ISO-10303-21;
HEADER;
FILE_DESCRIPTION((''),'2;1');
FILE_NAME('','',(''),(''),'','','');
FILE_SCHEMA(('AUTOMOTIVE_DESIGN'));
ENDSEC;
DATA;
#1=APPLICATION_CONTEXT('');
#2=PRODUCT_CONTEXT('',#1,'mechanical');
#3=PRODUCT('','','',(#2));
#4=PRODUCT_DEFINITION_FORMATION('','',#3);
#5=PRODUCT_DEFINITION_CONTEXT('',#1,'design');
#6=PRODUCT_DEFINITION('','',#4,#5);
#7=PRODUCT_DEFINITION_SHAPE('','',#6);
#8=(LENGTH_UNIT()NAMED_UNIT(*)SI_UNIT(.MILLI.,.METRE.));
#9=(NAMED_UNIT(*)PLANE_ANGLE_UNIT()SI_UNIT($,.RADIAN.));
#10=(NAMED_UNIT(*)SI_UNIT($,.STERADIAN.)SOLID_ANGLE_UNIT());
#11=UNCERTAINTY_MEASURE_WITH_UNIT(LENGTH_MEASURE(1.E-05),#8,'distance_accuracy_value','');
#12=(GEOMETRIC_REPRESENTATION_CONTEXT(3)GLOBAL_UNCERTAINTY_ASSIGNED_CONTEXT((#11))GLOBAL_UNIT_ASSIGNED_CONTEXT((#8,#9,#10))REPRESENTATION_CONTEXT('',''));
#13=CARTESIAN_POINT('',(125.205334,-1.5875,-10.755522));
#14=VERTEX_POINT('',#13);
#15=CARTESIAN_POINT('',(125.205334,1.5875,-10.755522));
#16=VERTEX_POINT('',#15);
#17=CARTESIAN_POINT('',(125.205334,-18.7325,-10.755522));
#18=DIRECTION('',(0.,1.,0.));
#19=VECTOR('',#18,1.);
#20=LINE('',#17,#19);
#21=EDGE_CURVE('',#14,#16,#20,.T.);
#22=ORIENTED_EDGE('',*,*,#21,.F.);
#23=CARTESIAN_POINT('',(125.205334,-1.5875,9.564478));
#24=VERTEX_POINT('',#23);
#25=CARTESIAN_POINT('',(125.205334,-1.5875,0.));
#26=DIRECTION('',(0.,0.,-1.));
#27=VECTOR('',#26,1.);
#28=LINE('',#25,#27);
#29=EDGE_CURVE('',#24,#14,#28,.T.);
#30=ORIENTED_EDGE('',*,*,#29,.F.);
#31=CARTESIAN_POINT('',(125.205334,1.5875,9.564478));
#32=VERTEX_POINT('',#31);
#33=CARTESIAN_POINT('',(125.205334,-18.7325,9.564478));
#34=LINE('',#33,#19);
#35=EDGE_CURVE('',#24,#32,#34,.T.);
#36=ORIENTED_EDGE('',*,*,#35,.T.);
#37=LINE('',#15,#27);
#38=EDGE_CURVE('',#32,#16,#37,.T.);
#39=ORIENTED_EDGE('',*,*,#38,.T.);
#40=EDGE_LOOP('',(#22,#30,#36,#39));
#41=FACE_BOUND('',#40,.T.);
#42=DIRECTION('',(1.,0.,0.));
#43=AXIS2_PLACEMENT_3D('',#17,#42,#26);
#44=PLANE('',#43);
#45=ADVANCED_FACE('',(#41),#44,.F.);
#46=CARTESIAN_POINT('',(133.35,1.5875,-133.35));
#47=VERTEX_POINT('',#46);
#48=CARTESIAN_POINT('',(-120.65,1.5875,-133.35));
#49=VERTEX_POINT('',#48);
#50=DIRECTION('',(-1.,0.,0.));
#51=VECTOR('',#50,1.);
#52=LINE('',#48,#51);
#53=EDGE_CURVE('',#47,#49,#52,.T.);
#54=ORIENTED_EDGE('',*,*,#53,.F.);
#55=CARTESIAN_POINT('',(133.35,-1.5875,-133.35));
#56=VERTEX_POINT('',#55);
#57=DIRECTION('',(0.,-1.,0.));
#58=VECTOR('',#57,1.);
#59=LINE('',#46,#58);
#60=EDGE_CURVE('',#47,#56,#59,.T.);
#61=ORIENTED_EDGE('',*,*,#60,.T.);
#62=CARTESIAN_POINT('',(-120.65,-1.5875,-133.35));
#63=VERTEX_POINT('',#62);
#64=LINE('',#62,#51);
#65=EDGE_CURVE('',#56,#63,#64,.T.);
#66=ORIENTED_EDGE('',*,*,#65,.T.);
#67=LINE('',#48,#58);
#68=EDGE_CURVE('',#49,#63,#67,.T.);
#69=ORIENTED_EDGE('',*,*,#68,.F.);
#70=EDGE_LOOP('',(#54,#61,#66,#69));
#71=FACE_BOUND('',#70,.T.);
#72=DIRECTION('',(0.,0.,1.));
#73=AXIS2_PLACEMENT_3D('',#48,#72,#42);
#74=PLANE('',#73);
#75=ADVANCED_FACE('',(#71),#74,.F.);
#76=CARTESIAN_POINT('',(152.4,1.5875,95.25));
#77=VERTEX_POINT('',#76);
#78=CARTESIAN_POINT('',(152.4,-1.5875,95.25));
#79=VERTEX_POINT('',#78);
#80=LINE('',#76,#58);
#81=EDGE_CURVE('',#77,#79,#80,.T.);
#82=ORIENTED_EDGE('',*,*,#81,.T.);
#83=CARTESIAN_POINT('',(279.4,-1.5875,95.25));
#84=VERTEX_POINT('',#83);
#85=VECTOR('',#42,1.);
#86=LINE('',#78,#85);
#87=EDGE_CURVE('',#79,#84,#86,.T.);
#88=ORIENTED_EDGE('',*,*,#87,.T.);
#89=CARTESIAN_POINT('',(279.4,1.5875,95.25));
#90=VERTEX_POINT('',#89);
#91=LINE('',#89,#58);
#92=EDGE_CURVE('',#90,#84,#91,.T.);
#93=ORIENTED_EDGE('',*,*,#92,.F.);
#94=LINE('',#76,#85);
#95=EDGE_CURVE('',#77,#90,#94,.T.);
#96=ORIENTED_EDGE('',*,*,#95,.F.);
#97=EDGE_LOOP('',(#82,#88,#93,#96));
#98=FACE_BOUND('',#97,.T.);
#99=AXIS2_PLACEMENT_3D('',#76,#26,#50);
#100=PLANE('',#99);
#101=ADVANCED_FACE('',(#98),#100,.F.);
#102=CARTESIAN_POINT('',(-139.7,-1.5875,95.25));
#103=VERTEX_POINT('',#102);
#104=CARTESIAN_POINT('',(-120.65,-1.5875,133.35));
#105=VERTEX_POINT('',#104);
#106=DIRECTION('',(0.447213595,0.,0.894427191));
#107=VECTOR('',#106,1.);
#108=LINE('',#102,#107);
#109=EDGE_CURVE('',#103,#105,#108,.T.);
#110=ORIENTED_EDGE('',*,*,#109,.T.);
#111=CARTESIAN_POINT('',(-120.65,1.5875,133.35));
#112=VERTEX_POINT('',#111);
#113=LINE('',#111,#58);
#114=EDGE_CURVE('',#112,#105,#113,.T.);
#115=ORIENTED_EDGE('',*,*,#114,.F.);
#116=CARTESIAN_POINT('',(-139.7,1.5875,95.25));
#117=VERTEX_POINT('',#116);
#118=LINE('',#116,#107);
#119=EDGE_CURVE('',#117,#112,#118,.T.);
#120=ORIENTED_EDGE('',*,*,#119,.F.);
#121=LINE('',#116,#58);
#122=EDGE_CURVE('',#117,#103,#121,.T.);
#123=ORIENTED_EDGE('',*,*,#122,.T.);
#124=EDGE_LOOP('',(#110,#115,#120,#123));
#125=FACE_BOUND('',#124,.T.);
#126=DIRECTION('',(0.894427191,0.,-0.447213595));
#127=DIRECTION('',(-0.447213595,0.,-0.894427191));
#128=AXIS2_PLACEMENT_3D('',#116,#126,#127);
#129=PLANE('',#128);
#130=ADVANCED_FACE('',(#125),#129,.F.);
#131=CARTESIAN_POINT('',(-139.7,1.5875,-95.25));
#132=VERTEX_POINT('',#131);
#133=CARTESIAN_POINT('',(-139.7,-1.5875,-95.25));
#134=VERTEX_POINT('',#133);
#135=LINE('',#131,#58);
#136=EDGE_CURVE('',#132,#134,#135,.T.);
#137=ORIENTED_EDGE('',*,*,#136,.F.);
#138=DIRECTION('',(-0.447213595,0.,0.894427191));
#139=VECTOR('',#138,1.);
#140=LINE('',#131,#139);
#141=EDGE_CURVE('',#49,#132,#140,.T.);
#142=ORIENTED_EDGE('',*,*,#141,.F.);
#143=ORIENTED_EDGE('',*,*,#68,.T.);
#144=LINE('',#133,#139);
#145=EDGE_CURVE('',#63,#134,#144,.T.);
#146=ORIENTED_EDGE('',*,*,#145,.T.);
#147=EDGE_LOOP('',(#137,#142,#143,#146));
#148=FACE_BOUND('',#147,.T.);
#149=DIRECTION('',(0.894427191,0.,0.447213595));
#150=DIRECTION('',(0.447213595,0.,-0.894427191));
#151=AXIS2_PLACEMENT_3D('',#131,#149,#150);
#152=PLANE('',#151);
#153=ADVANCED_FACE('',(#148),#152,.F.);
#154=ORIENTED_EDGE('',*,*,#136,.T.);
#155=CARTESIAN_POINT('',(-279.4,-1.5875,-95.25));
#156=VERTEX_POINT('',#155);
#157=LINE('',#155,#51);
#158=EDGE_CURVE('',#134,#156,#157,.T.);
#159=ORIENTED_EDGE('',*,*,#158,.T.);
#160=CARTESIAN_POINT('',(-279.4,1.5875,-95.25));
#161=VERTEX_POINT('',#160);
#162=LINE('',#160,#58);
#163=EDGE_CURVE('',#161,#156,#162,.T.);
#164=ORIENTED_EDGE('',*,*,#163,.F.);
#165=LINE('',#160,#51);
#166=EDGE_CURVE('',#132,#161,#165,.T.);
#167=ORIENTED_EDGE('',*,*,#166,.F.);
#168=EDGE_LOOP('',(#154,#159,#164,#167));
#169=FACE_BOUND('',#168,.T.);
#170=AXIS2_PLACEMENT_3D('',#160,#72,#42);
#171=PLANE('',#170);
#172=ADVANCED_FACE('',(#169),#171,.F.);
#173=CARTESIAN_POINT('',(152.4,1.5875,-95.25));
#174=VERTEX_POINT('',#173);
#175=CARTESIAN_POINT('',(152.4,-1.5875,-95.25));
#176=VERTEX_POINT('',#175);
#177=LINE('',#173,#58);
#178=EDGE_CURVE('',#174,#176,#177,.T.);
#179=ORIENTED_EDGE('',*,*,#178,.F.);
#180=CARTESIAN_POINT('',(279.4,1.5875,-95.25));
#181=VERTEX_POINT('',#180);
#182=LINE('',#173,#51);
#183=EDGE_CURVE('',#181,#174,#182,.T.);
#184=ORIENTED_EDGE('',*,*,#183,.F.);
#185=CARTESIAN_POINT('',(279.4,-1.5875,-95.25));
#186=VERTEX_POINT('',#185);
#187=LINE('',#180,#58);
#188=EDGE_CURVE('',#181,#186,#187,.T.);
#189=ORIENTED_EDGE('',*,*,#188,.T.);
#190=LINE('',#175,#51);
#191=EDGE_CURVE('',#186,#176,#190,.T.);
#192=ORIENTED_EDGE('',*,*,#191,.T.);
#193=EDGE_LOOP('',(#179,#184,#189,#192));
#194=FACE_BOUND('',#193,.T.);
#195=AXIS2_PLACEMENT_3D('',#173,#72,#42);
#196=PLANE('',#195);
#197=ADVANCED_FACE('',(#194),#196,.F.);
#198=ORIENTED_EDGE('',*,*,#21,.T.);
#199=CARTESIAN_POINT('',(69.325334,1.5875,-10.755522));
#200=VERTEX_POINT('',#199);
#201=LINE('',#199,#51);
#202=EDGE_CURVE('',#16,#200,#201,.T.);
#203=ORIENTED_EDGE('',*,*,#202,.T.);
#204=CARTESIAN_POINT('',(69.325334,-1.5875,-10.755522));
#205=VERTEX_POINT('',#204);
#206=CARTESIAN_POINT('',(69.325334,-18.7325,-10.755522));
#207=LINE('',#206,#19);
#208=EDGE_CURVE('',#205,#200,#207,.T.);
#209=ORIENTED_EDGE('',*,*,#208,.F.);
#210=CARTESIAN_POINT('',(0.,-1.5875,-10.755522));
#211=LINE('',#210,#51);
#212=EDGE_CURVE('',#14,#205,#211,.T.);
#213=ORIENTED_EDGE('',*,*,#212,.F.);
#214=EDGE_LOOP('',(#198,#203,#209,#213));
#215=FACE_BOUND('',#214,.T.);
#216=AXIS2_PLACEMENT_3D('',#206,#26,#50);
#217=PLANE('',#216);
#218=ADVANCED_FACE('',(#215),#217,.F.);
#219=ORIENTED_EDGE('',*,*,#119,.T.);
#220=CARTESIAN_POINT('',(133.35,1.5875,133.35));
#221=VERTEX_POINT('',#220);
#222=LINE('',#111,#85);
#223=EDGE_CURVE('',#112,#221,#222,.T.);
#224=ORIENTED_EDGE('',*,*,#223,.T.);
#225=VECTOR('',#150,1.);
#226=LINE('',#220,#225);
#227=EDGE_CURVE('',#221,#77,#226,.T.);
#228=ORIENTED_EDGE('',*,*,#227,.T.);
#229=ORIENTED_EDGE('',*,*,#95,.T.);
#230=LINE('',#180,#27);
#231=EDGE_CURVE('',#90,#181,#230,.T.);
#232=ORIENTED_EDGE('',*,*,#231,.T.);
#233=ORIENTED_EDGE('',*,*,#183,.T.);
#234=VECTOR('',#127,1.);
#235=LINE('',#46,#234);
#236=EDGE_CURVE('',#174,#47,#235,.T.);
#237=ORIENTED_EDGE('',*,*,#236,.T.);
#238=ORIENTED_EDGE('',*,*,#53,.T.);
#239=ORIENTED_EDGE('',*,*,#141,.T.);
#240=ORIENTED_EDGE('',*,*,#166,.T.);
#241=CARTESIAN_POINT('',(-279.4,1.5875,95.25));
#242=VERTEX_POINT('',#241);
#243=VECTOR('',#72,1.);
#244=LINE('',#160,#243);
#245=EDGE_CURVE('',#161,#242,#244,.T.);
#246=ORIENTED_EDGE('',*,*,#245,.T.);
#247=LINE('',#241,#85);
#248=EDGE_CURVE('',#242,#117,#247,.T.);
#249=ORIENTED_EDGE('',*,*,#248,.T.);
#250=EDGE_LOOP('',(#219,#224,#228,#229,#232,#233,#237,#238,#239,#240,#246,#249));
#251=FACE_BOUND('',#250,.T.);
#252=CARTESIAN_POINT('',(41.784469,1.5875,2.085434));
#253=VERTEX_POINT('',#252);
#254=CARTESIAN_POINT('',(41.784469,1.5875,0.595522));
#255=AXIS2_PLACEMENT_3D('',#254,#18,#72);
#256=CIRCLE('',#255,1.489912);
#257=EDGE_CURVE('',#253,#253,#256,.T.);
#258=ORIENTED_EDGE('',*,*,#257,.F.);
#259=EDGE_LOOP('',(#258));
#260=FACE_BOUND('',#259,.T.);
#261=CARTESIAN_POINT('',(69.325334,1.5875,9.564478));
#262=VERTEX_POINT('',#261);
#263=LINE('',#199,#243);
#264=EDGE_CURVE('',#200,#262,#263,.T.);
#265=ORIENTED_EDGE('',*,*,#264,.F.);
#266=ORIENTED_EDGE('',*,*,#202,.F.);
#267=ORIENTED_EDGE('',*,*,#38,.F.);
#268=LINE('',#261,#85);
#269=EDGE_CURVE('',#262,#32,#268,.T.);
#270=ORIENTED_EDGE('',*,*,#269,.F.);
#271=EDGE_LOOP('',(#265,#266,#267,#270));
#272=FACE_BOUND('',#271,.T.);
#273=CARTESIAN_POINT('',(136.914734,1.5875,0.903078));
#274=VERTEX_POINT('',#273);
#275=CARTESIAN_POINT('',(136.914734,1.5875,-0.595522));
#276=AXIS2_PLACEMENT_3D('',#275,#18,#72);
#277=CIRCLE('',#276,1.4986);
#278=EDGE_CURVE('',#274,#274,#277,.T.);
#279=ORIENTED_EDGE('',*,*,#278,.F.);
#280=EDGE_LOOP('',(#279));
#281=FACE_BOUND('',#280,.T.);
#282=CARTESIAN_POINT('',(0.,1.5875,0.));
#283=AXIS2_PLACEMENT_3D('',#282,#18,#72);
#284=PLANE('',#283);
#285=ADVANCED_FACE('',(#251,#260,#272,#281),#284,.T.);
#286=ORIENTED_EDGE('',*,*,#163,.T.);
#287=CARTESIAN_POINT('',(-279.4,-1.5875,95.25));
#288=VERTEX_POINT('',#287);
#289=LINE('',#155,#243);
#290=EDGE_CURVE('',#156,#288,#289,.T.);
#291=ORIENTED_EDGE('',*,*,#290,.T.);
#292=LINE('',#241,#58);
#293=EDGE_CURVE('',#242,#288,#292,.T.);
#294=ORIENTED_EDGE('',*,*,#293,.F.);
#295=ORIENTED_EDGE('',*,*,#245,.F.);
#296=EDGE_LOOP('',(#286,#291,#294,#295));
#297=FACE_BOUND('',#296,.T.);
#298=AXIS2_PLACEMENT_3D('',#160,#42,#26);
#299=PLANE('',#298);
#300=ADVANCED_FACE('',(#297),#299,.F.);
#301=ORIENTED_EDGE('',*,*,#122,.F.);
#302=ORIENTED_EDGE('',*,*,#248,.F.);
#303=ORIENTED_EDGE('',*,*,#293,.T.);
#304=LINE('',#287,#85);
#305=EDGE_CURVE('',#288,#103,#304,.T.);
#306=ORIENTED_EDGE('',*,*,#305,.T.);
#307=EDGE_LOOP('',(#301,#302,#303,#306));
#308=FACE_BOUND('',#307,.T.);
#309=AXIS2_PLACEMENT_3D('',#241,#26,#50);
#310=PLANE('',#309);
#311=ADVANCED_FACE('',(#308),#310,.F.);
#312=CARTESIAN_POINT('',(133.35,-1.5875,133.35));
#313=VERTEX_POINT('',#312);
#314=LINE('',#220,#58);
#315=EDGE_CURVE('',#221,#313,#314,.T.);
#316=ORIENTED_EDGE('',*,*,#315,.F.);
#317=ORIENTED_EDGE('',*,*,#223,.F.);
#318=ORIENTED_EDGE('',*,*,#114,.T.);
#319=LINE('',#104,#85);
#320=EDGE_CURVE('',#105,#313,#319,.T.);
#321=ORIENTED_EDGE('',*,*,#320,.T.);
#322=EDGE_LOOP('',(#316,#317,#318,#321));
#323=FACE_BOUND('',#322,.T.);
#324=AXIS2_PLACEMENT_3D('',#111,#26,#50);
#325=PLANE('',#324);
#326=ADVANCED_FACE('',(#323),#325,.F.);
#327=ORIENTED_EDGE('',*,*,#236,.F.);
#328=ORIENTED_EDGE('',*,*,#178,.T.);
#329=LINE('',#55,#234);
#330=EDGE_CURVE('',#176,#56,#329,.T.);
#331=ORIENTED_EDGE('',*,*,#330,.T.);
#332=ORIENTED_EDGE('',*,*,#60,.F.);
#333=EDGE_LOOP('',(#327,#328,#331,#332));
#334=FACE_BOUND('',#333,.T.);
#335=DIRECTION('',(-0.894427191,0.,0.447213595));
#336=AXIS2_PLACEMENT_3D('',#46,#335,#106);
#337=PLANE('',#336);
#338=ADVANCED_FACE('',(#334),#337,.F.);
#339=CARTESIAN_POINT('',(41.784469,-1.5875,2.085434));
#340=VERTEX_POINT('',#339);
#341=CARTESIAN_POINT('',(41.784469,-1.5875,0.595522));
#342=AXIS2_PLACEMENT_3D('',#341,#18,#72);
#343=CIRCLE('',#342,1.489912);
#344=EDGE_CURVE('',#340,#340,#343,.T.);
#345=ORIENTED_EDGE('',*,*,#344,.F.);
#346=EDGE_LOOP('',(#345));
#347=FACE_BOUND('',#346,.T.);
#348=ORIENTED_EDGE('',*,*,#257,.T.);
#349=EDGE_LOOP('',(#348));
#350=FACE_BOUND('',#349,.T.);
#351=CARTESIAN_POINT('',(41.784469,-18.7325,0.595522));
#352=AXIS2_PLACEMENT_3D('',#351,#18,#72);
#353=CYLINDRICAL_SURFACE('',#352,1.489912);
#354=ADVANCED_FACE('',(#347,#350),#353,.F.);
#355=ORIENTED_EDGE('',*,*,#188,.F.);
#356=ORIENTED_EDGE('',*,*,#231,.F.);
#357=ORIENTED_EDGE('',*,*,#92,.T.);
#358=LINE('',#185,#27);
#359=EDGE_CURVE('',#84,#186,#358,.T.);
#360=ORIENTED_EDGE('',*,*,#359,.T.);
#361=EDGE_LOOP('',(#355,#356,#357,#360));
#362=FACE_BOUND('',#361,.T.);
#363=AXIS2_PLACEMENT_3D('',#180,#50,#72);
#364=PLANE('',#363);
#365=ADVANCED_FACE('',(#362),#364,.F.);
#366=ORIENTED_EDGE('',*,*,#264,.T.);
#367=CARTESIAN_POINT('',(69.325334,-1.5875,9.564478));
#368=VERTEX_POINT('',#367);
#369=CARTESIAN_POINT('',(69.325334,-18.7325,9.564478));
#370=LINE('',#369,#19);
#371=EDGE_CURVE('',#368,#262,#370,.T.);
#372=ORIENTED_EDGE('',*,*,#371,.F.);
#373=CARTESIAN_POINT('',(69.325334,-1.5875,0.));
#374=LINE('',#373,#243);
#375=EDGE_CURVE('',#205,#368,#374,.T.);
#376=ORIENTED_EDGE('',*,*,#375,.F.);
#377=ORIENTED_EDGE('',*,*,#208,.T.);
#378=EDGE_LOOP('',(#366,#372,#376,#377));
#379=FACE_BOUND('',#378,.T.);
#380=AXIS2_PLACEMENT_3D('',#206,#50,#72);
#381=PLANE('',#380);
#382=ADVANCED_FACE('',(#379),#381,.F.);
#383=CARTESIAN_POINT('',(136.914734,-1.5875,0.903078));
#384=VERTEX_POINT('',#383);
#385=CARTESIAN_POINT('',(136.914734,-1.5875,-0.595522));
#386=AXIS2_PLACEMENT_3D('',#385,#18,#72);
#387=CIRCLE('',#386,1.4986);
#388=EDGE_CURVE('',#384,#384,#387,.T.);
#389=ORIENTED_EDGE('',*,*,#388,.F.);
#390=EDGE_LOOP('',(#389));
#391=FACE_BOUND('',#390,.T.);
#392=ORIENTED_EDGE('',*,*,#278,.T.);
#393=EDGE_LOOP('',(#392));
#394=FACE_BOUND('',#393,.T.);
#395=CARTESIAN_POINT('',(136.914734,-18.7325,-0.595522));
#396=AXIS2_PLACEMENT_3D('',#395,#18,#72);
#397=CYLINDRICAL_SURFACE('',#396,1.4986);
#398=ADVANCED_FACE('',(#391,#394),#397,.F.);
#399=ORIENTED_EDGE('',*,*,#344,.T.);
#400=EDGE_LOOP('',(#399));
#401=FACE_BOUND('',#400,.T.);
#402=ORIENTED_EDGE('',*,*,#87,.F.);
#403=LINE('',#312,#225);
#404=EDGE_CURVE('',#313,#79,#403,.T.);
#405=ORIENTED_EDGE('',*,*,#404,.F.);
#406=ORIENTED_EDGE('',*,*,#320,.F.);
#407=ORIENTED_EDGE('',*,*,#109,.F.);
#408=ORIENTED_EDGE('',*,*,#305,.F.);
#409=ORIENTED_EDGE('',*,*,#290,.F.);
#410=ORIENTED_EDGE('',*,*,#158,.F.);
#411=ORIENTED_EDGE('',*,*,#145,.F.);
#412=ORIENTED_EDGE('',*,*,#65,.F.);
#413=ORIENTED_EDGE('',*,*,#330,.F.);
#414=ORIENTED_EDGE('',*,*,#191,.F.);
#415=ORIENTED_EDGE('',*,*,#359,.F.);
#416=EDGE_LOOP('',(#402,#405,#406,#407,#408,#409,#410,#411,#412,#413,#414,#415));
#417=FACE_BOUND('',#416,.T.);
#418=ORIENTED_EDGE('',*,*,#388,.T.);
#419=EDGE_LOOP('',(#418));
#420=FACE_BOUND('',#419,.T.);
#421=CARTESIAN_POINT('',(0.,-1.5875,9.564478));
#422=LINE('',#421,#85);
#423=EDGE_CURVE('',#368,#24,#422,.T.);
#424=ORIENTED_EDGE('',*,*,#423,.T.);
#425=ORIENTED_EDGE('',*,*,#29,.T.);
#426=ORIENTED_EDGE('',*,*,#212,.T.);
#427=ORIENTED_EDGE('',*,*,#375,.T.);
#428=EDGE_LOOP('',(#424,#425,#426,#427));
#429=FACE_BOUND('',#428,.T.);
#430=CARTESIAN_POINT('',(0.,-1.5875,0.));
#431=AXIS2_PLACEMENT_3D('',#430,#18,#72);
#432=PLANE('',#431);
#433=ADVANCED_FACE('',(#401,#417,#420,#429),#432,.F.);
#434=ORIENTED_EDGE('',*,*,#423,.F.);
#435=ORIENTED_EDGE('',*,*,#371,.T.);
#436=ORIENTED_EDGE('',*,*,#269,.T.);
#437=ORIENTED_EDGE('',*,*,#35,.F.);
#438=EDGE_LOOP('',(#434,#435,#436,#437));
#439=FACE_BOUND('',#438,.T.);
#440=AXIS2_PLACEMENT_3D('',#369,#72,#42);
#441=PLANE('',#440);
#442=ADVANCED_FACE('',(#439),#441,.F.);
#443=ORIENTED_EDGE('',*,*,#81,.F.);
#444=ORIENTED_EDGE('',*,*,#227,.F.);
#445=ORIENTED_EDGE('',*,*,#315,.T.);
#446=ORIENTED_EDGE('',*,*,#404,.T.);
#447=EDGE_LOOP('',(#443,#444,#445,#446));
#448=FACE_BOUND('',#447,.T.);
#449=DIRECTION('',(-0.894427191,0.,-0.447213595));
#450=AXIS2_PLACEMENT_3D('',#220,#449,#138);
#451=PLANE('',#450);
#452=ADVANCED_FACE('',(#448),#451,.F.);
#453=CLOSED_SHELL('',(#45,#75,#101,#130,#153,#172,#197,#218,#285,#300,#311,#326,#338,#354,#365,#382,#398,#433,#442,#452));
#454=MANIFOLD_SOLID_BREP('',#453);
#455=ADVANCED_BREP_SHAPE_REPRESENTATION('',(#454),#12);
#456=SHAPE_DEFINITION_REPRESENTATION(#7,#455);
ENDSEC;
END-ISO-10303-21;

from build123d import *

# Parameters (mm, degrees)
BOSS_EXTRUDE1_DEPTH = 1.5875
SKETCH8_R           = 1.4986
SKETCH8_R_2         = 1.489912236
SKETCH8_W           = 55.88
SKETCH8_H           = 20.32
CUT_EXTRUDE1_DEPTH  = 20.32


with BuildPart() as part:
    # Sketch3 → Boss-Extrude1 (new body, symmetric)
    with BuildSketch(Plane(origin=(0, 0, 0), x_dir=(1, 0, 0), z_dir=(0, 1, 0))):
        Polygon((-279.4, 95.25), (-139.7, 95.25), (-120.65, 133.35), (133.35, 133.35), (152.4, 95.25), (279.4, 95.25), (279.4, -95.25), (152.4, -95.25), (133.35, -133.35), (-120.65, -133.35), (-139.7, -95.25), (-279.4, -95.25), align=None)
    extrude(amount=BOSS_EXTRUDE1_DEPTH, both=True)

    # Sketch8 → Cut-Extrude1 (cut)
    with BuildSketch(Plane(origin=(0, 1.5875, 0), x_dir=(1, 0, 0), z_dir=(0, 1, 0))):
        with Locations((136.914734299, 0.595522161)):
            Circle(SKETCH8_R)
        with Locations((41.78446907, -0.595522161)):
            Circle(SKETCH8_R_2)
        with Locations((97.265334299, 0.595522161)):
            Rectangle(SKETCH8_W, SKETCH8_H)
    extrude(amount=-CUT_EXTRUDE1_DEPTH, mode=Mode.SUBTRACT)


solid = part.part
